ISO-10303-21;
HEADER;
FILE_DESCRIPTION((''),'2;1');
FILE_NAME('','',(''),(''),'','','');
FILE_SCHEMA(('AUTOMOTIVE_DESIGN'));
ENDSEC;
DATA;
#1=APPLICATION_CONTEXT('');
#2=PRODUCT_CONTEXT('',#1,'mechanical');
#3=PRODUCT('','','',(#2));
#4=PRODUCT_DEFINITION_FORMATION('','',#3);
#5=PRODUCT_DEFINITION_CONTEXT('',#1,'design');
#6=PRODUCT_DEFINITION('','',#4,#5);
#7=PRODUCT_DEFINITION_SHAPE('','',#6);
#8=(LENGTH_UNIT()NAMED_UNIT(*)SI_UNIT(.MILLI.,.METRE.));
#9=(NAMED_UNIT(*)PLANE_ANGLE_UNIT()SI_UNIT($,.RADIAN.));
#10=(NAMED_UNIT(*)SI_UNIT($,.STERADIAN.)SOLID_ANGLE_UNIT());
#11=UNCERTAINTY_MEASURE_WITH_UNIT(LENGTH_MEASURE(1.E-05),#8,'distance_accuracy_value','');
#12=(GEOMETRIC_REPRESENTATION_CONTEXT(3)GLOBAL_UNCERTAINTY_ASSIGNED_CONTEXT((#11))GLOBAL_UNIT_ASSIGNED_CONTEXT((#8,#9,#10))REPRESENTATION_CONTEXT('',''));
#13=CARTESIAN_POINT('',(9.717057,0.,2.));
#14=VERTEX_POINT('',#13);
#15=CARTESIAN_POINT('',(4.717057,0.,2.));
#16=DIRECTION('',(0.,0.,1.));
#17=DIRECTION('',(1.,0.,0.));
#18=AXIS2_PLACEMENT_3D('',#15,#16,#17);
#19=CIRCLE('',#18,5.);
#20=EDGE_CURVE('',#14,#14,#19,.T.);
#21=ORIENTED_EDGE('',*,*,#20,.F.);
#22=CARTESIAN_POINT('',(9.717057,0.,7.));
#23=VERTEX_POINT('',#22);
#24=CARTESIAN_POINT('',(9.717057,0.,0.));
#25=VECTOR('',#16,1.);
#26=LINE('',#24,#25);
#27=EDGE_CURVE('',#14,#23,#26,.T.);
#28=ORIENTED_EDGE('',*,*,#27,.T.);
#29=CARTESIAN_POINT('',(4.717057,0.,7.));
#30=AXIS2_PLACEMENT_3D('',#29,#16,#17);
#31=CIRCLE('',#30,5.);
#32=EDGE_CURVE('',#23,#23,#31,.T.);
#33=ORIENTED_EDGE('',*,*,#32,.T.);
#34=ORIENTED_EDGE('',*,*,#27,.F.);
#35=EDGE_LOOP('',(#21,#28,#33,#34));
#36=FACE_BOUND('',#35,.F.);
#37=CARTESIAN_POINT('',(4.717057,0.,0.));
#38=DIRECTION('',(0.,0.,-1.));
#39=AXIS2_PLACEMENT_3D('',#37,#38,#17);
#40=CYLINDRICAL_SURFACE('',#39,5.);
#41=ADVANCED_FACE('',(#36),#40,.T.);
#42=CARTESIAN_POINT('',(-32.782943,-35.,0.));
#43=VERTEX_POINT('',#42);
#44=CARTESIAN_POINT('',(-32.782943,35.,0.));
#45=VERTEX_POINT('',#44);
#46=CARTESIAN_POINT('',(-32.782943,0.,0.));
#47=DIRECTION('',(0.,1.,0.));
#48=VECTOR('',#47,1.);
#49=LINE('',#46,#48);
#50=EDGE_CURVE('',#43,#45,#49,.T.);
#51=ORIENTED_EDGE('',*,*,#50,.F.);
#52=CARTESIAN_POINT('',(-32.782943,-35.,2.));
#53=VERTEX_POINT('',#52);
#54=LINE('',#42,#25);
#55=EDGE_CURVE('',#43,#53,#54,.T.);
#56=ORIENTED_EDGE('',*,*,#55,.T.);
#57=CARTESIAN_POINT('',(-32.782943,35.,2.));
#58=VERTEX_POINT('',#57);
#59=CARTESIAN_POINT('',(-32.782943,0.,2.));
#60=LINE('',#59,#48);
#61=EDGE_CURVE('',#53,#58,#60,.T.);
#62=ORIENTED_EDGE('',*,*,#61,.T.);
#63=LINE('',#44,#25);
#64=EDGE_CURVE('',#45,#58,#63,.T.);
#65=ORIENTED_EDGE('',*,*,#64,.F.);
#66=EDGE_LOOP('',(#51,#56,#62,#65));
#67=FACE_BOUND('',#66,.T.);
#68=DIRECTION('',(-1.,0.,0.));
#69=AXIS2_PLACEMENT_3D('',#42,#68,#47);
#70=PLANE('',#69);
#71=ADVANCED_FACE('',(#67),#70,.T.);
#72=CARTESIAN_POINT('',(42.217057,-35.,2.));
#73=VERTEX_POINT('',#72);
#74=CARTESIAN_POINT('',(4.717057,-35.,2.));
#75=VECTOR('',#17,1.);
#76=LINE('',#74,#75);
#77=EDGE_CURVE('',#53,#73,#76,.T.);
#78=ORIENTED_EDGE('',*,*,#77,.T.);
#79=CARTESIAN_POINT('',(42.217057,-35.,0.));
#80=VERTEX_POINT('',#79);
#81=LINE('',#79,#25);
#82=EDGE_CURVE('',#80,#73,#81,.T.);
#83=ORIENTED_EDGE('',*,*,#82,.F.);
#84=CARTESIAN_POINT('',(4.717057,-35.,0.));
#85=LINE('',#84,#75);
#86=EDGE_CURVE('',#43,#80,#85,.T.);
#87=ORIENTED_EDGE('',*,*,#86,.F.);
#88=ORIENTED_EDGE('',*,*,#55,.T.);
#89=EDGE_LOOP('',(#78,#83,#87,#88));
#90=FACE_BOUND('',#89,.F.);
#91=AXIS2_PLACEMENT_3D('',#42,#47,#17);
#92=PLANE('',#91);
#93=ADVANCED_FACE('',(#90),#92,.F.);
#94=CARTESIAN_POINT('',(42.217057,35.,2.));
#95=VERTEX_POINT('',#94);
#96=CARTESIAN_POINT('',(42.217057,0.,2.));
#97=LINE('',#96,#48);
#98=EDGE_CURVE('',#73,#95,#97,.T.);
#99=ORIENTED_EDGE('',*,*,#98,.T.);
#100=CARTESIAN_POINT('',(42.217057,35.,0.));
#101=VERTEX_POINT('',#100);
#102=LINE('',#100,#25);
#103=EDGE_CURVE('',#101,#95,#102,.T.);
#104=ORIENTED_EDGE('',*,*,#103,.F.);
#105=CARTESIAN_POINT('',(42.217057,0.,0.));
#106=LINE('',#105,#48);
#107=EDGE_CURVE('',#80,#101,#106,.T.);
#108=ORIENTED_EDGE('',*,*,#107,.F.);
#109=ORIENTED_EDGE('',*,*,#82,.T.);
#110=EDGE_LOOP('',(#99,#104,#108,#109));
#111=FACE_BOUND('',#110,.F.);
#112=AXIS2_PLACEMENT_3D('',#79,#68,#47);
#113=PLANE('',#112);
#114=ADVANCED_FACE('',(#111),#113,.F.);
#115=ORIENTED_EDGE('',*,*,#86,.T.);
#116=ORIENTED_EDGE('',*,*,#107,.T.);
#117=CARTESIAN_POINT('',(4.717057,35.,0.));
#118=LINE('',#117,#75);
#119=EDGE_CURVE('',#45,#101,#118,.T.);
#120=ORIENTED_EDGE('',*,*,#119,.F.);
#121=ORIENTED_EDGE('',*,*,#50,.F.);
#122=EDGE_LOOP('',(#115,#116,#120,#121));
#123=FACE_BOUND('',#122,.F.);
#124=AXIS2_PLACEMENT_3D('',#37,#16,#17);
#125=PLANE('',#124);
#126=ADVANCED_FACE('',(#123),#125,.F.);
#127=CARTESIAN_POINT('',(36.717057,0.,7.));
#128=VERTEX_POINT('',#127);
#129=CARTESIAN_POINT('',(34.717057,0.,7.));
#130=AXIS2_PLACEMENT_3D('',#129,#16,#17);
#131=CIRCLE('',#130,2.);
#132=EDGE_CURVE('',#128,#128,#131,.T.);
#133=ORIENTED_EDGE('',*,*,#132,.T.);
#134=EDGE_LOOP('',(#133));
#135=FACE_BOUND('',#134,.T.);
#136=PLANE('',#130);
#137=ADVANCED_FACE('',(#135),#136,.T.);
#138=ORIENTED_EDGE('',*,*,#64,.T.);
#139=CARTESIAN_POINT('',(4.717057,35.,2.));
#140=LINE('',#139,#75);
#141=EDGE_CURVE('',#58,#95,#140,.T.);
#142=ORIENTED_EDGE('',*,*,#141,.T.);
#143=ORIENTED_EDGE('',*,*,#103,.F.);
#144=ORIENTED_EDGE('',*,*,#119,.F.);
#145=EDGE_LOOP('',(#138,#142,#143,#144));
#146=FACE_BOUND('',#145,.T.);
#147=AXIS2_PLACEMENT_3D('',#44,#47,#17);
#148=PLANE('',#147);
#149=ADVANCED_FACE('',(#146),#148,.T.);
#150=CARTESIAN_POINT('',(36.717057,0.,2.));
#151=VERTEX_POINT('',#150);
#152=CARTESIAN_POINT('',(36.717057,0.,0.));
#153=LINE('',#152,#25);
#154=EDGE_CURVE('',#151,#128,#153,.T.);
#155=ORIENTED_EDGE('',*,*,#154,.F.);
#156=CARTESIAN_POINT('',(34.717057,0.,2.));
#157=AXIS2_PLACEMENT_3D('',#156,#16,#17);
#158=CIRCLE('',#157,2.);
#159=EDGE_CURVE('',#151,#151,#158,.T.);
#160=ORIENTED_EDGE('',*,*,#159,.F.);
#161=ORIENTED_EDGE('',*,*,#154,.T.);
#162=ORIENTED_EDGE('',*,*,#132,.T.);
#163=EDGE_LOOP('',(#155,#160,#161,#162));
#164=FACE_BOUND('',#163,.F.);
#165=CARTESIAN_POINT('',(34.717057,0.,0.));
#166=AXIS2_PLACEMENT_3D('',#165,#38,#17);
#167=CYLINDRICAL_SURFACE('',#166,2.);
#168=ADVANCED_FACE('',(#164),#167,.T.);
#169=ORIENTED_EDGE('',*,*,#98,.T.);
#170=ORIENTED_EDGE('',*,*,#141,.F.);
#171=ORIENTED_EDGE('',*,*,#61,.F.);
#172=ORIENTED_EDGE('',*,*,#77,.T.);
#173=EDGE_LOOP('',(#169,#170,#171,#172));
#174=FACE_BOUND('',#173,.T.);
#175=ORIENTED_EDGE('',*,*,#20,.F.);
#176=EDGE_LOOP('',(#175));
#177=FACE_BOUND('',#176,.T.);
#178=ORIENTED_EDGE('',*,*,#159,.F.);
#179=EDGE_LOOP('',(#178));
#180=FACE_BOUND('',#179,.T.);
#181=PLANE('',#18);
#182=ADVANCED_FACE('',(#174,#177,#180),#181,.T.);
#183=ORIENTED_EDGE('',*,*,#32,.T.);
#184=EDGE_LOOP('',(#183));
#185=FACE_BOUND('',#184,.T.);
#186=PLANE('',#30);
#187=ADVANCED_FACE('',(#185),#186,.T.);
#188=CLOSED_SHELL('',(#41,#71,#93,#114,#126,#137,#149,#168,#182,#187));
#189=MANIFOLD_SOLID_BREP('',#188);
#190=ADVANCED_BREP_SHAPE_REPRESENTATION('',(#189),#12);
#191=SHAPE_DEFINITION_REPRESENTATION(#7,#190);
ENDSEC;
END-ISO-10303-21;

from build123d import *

# Parameters (mm, degrees)
F0_W     = 75
F0_H     = 70
F0_R     = 5
F0_R_2   = 2
F1_DEPTH = 2
F2_DEPTH = 7


with BuildPart() as f1:
    # F0 (on Top) → F1 (new body)
    with BuildSketch(Plane.XY):
        with Locations((4.717057, 0)):
            Rectangle(F0_W, F0_H)
        with Locations((4.717057, 0)):
            Circle(F0_R, mode=Mode.SUBTRACT)
        with Locations((34.717057, 0)):
            Circle(F0_R_2, mode=Mode.SUBTRACT)
    extrude(amount=F1_DEPTH)

    # F0 (on Top) → F2 (join)
    with BuildSketch(Plane.XY):
        with Locations((4.717057, 0)):
            Circle(F0_R)
        with Locations((34.717057, 0)):
            Circle(F0_R_2)
    extrude(amount=F2_DEPTH)


solid = f1.part
